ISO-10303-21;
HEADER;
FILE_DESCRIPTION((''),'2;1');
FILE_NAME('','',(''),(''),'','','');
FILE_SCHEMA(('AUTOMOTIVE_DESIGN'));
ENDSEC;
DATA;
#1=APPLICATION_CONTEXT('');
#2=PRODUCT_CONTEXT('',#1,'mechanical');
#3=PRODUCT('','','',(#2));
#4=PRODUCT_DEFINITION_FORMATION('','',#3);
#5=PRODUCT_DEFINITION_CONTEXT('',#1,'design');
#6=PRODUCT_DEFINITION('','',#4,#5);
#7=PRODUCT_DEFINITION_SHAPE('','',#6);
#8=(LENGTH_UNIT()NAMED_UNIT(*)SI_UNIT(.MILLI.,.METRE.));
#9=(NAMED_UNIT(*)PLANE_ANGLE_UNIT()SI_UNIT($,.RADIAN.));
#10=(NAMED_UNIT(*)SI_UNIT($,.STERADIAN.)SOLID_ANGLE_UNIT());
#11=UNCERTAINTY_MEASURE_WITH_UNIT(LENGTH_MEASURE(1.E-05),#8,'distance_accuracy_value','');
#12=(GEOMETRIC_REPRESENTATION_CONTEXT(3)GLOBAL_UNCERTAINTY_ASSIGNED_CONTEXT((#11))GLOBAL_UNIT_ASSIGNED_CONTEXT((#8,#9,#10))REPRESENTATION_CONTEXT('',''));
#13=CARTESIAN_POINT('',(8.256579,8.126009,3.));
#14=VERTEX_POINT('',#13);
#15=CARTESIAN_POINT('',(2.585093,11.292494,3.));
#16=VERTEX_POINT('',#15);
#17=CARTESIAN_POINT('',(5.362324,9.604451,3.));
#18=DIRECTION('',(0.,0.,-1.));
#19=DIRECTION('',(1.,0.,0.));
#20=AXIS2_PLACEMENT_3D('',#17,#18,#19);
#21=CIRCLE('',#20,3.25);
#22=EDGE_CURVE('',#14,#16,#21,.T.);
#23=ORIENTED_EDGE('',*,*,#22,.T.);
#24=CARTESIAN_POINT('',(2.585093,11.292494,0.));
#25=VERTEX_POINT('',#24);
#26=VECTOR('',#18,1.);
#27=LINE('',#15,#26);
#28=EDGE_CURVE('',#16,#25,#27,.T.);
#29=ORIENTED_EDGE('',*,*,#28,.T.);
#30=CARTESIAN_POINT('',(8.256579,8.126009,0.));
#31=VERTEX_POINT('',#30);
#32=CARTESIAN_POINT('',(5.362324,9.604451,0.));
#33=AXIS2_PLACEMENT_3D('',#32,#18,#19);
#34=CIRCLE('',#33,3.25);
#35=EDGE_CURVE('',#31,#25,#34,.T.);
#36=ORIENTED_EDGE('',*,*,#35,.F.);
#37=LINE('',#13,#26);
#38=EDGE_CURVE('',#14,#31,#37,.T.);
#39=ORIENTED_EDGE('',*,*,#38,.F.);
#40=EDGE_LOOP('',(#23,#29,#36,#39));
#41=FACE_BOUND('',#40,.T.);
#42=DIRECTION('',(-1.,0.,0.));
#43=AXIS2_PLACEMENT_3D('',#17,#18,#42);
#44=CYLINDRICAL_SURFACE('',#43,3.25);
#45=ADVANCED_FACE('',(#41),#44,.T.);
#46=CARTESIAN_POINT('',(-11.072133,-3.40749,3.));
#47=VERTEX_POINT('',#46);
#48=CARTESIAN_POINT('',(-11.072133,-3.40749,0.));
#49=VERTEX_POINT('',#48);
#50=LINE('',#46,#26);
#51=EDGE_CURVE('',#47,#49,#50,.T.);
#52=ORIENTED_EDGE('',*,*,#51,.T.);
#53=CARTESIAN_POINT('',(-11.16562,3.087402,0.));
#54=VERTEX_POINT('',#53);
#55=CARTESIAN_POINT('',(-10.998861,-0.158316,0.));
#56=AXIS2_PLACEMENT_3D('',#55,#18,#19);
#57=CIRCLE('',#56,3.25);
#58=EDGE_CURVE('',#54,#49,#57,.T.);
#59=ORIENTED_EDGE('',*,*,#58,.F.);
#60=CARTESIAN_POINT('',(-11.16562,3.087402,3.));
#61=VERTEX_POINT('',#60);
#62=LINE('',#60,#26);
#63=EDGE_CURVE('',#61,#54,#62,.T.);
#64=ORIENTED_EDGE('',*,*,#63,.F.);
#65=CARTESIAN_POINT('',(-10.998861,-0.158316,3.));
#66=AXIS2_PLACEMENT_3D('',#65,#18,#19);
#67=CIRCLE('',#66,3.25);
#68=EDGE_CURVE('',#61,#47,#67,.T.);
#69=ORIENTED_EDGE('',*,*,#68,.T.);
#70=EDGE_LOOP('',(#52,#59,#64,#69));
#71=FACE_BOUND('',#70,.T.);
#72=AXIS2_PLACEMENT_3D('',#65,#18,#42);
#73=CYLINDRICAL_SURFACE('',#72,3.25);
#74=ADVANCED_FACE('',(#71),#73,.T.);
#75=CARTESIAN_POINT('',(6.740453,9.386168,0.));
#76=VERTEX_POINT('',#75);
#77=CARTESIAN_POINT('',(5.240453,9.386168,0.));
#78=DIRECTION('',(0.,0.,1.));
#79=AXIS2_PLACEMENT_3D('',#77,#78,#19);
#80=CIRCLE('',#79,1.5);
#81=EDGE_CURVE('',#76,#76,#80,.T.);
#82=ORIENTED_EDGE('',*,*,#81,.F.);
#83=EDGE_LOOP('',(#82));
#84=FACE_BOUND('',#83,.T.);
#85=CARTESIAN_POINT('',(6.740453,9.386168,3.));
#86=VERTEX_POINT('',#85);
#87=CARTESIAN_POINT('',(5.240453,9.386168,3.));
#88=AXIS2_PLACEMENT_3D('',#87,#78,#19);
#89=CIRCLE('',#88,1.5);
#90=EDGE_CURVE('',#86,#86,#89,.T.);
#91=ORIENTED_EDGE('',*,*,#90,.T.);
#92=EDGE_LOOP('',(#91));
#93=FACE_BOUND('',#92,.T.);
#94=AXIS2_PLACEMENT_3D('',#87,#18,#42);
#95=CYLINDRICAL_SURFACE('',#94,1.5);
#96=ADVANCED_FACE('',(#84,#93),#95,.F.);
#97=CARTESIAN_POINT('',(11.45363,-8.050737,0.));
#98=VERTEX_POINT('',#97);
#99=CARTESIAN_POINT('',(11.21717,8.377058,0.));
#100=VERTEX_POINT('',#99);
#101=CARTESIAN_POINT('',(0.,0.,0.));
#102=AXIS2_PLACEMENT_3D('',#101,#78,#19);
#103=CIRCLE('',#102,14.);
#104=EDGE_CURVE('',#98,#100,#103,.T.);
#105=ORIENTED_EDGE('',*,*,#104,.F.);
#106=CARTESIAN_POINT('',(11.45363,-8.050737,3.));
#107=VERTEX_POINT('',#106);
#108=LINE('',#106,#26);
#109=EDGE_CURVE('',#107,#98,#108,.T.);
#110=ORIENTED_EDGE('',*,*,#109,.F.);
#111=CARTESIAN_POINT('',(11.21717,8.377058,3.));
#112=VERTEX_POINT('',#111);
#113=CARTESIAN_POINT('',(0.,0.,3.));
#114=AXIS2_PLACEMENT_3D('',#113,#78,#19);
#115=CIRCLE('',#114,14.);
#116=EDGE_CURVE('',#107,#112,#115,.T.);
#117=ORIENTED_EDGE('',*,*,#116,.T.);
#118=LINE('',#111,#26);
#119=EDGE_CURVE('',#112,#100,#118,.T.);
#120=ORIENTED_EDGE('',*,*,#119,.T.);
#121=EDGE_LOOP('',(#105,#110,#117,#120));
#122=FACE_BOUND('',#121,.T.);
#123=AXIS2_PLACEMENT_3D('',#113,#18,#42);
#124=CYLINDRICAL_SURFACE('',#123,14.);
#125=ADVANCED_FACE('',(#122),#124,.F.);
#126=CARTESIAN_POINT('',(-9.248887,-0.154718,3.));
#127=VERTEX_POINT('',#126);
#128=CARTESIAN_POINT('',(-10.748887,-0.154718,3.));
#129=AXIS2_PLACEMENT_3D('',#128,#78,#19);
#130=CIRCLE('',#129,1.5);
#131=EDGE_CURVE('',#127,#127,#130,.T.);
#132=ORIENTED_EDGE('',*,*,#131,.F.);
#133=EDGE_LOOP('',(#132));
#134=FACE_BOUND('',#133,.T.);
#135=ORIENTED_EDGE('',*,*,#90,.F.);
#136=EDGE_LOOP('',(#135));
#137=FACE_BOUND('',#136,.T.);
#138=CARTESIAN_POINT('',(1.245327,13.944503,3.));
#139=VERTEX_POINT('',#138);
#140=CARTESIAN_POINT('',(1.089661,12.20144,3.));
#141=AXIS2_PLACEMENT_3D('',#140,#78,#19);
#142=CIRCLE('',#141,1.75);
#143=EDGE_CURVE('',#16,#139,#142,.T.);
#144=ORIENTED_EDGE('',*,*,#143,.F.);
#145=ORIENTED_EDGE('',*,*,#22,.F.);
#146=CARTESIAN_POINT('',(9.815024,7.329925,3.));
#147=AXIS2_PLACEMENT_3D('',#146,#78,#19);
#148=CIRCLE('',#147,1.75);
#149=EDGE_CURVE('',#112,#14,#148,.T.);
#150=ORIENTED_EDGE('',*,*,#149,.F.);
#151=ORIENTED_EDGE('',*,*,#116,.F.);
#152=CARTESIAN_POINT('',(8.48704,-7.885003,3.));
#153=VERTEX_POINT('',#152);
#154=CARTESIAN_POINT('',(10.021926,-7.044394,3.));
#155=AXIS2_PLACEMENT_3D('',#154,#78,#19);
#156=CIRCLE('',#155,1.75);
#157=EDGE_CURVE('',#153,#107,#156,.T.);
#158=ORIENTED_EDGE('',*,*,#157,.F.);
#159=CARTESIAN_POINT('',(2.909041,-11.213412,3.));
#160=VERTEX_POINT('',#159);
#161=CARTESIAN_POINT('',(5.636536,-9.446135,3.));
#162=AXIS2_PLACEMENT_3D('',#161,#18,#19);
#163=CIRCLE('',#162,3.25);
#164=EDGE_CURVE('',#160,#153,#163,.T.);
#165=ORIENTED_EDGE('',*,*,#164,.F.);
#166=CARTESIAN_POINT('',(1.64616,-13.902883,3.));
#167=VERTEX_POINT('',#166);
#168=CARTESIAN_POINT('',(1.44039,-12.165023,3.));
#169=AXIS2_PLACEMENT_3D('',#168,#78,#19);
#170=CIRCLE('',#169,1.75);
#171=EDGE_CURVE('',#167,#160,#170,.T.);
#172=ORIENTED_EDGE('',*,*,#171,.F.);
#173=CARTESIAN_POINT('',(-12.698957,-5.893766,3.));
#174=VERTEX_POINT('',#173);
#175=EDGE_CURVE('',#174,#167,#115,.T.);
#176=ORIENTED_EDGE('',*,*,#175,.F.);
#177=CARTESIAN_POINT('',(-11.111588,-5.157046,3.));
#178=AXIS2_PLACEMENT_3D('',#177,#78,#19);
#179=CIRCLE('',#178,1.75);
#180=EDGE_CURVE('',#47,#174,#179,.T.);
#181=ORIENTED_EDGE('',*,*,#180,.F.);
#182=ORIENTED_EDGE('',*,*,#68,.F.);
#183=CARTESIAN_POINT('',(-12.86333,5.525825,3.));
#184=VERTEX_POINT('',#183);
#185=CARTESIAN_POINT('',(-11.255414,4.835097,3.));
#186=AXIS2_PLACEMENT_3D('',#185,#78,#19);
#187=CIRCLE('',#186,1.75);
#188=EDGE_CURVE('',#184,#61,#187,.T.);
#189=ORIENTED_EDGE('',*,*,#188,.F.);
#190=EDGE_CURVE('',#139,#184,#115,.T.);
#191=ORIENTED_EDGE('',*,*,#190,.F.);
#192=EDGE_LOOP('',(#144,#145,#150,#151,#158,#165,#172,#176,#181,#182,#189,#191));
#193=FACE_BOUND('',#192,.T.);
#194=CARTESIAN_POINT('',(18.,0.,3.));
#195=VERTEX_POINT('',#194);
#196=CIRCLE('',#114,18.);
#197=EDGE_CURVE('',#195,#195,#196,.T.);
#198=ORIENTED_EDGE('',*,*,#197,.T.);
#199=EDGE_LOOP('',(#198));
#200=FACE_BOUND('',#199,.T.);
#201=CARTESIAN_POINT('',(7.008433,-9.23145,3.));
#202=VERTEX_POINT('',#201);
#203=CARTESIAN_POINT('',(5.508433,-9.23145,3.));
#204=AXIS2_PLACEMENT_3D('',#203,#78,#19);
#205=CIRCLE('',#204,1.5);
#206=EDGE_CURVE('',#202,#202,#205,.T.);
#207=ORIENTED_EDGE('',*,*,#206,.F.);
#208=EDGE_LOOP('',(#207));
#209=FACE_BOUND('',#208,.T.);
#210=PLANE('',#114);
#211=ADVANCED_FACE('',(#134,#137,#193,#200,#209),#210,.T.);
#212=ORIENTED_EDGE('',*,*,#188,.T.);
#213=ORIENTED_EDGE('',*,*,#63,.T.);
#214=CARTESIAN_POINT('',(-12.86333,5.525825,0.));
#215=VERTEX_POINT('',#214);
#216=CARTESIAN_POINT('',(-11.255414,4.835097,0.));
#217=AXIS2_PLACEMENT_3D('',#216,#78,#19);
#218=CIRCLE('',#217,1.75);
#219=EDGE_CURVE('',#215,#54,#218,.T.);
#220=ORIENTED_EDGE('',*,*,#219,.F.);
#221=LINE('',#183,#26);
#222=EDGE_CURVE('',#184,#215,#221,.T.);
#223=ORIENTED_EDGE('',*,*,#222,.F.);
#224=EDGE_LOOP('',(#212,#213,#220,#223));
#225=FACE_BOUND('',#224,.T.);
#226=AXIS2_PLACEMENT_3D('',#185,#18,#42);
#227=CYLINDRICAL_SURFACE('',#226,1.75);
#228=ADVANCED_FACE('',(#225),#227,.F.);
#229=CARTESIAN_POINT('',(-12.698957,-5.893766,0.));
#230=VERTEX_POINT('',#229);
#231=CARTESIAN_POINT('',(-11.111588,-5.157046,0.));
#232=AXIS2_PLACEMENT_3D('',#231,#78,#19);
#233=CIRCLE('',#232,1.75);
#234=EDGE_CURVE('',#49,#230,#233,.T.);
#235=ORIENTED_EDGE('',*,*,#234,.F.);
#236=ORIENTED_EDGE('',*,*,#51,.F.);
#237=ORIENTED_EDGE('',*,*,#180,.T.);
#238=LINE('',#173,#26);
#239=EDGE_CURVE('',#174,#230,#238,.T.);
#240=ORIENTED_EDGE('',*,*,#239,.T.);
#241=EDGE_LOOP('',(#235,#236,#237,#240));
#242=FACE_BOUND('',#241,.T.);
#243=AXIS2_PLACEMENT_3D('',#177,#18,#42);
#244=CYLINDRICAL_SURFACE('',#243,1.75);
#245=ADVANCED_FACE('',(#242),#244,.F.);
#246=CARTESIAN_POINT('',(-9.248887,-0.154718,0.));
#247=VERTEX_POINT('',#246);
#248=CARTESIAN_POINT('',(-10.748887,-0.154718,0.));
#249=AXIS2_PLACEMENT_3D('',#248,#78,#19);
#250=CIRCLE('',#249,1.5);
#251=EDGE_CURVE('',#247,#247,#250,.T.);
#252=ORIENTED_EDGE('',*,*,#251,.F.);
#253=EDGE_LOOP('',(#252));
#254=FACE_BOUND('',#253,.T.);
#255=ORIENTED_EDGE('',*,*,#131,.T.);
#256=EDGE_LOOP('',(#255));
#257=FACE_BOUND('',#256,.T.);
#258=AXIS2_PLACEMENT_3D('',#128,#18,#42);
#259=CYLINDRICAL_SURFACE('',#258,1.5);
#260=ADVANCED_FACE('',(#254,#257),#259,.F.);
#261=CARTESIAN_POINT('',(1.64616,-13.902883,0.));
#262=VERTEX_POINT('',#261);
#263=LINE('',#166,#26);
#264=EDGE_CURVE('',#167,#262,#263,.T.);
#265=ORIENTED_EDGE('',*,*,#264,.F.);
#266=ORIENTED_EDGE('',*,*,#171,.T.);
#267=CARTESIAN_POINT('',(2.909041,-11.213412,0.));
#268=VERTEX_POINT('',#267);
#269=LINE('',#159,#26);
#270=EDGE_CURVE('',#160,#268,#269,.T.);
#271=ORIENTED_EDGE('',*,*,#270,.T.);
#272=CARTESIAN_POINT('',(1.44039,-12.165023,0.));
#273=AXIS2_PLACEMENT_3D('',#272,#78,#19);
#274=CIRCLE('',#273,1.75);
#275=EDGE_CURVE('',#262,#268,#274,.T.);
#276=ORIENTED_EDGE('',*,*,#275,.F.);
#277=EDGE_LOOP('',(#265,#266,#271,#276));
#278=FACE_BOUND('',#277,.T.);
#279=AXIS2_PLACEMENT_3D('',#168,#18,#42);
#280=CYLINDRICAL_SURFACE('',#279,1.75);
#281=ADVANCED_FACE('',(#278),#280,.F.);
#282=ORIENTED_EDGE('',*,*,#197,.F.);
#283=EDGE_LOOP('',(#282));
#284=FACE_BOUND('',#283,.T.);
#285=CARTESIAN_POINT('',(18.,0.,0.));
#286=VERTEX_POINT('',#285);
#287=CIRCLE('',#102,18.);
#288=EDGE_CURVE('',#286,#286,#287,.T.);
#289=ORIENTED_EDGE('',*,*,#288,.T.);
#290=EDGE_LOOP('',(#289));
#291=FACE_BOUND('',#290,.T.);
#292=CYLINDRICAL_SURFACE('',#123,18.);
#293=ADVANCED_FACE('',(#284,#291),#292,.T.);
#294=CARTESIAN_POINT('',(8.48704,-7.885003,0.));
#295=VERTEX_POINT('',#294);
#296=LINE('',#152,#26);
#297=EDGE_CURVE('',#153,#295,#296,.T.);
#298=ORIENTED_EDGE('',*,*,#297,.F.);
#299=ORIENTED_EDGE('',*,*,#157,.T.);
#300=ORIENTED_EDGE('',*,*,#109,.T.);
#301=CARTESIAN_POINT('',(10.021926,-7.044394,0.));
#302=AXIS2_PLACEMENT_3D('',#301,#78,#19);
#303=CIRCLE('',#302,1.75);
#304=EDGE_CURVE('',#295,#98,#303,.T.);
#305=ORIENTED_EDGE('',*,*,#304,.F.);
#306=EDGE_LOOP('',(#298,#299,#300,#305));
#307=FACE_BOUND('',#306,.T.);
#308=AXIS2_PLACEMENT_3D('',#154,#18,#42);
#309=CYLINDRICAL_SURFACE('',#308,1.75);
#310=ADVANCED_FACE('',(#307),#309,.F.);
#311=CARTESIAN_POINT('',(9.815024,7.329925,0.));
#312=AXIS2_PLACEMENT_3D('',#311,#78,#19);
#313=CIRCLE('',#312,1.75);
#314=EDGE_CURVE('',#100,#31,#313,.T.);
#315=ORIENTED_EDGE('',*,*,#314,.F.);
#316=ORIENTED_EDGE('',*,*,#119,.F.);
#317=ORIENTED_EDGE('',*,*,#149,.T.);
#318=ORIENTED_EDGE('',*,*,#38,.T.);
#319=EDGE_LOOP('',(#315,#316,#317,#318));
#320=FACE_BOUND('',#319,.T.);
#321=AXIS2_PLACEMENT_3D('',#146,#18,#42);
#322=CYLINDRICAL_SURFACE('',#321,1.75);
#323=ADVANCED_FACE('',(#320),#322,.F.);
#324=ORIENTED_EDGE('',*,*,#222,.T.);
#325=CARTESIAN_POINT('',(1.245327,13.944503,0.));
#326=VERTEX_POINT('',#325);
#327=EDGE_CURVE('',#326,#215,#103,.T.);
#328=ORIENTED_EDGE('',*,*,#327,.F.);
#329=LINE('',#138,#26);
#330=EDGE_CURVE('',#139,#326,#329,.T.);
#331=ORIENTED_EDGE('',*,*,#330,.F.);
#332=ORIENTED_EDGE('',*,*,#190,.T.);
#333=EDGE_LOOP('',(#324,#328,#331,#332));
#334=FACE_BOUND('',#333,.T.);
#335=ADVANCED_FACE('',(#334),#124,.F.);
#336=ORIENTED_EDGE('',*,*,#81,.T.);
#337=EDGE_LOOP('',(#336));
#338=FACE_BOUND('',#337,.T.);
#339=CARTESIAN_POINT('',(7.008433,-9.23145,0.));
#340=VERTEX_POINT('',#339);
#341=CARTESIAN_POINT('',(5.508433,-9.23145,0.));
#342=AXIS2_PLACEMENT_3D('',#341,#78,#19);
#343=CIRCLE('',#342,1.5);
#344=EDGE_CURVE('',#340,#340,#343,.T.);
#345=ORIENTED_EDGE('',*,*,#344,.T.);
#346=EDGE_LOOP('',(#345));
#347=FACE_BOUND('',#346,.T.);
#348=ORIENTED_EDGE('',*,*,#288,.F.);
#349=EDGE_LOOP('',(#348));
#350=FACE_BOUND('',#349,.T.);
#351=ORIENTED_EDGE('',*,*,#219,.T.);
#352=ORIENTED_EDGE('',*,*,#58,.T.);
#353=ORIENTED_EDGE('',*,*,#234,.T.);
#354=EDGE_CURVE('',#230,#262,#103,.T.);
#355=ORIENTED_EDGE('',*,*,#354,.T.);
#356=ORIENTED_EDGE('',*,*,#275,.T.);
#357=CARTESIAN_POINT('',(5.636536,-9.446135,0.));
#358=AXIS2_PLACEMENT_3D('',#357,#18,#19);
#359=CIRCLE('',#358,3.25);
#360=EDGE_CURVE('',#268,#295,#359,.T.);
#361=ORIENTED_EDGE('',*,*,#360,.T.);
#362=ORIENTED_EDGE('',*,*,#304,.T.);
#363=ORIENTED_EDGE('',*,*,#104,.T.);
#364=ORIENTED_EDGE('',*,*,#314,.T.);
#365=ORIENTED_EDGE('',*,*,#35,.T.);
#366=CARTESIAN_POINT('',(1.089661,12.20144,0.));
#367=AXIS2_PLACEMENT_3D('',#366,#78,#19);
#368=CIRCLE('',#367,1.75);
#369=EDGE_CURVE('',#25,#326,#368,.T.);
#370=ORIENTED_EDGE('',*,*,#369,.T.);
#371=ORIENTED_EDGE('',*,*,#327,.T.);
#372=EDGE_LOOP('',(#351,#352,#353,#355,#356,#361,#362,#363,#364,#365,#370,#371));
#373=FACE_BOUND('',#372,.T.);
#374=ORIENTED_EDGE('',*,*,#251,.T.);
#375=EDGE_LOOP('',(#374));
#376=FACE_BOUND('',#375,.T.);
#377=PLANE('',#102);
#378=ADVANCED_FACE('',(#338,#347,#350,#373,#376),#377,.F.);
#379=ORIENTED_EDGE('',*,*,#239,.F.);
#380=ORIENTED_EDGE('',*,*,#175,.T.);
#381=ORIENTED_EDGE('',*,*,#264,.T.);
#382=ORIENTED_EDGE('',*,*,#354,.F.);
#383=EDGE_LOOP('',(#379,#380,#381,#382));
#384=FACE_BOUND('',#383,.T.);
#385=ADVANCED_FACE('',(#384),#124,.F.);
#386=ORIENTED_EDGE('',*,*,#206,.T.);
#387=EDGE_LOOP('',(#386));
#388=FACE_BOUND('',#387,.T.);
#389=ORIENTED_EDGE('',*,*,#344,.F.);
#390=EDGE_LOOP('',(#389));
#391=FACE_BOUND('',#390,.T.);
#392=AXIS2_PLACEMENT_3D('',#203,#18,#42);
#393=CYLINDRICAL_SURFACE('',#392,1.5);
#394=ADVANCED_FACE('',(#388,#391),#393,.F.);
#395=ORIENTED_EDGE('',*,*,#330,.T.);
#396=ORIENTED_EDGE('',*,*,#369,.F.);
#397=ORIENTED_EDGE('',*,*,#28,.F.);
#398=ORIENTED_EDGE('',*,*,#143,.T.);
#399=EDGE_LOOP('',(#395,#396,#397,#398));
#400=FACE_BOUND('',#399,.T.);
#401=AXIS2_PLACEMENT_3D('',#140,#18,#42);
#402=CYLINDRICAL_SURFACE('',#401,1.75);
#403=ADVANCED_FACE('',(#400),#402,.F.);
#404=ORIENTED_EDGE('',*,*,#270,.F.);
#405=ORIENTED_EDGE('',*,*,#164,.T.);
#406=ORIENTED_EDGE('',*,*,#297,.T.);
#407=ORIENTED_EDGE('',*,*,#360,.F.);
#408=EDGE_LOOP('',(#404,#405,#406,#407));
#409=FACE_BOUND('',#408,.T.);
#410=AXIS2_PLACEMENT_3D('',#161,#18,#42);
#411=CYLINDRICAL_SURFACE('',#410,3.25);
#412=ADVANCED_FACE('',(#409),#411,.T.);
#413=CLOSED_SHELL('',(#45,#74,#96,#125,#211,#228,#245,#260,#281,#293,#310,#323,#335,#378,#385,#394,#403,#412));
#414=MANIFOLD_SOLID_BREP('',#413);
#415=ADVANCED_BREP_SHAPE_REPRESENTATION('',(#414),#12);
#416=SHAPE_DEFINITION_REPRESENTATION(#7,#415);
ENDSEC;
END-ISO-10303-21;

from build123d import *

# Parameters (mm, degrees)
ESQUISSE1_R        = 18
ESQUISSE1_R_2      = 1.5
BOSS_EXTRU_1_DEPTH = 3


with BuildPart() as part:
    # Esquisse1 → Boss.-Extru.1 (new body)
    with BuildSketch(Plane.XY):
        Circle(ESQUISSE1_R)
        with Locations((5.240453276, 9.386167986)):
            Circle(ESQUISSE1_R_2, mode=Mode.SUBTRACT)
        with Locations((5.508433282, -9.231449657)):
            Circle(ESQUISSE1_R_2, mode=Mode.SUBTRACT)
        with Locations((-10.748886558, -0.154718329)):
            Circle(ESQUISSE1_R_2, mode=Mode.SUBTRACT)
        with BuildLine():
            ThreePointArc((11.453630047, -8.050736534), (13.998549936, 0.201493638), (11.217170127, 8.377057619))
            ThreePointArc((11.217170127, 8.377057619), (9.667160345, 9.073667479), (8.256579008, 8.126009358))
            ThreePointArc((8.256579008, 8.126009358), (3.778001199, 6.766772269), (2.58509342, 11.292493835))
            ThreePointArc((2.58509342, 11.292493835), (2.651653429, 12.990541357), (1.245327334, 13.944502853))
            ThreePointArc((1.245327334, 13.944502853), (-7.173773577, 12.022353042), (-12.86332977, 5.525825479))
            ThreePointArc((-12.86332977, 5.525825479), (-12.691606715, 3.835172702), (-11.165620039, 3.087402491))
            ThreePointArc((-11.165620039, 3.087402491), (-7.749197286, -0.111541121), (-11.072133243, -3.407490345))
            ThreePointArc((-11.072133243, -3.407490345), (-12.575965538, -4.198871447), (-12.698957381, -5.893766319))
            ThreePointArc((-12.698957381, -5.893766319), (-6.824776359, -12.22384668), (1.646159643, -13.902883098))
            ThreePointArc((1.646159643, -13.902883098), (3.02444637, -12.90884018), (2.909041031, -11.213411848))
            ThreePointArc((2.909041031, -11.213411848), (3.971196087, -6.655231148), (8.487039823, -7.88500349))
            ThreePointArc((8.487039823, -7.88500349), (9.92431211, -8.79166991), (11.453630047, -8.050736534))
        make_face(mode=Mode.SUBTRACT)
    extrude(amount=BOSS_EXTRU_1_DEPTH)


solid = part.part
